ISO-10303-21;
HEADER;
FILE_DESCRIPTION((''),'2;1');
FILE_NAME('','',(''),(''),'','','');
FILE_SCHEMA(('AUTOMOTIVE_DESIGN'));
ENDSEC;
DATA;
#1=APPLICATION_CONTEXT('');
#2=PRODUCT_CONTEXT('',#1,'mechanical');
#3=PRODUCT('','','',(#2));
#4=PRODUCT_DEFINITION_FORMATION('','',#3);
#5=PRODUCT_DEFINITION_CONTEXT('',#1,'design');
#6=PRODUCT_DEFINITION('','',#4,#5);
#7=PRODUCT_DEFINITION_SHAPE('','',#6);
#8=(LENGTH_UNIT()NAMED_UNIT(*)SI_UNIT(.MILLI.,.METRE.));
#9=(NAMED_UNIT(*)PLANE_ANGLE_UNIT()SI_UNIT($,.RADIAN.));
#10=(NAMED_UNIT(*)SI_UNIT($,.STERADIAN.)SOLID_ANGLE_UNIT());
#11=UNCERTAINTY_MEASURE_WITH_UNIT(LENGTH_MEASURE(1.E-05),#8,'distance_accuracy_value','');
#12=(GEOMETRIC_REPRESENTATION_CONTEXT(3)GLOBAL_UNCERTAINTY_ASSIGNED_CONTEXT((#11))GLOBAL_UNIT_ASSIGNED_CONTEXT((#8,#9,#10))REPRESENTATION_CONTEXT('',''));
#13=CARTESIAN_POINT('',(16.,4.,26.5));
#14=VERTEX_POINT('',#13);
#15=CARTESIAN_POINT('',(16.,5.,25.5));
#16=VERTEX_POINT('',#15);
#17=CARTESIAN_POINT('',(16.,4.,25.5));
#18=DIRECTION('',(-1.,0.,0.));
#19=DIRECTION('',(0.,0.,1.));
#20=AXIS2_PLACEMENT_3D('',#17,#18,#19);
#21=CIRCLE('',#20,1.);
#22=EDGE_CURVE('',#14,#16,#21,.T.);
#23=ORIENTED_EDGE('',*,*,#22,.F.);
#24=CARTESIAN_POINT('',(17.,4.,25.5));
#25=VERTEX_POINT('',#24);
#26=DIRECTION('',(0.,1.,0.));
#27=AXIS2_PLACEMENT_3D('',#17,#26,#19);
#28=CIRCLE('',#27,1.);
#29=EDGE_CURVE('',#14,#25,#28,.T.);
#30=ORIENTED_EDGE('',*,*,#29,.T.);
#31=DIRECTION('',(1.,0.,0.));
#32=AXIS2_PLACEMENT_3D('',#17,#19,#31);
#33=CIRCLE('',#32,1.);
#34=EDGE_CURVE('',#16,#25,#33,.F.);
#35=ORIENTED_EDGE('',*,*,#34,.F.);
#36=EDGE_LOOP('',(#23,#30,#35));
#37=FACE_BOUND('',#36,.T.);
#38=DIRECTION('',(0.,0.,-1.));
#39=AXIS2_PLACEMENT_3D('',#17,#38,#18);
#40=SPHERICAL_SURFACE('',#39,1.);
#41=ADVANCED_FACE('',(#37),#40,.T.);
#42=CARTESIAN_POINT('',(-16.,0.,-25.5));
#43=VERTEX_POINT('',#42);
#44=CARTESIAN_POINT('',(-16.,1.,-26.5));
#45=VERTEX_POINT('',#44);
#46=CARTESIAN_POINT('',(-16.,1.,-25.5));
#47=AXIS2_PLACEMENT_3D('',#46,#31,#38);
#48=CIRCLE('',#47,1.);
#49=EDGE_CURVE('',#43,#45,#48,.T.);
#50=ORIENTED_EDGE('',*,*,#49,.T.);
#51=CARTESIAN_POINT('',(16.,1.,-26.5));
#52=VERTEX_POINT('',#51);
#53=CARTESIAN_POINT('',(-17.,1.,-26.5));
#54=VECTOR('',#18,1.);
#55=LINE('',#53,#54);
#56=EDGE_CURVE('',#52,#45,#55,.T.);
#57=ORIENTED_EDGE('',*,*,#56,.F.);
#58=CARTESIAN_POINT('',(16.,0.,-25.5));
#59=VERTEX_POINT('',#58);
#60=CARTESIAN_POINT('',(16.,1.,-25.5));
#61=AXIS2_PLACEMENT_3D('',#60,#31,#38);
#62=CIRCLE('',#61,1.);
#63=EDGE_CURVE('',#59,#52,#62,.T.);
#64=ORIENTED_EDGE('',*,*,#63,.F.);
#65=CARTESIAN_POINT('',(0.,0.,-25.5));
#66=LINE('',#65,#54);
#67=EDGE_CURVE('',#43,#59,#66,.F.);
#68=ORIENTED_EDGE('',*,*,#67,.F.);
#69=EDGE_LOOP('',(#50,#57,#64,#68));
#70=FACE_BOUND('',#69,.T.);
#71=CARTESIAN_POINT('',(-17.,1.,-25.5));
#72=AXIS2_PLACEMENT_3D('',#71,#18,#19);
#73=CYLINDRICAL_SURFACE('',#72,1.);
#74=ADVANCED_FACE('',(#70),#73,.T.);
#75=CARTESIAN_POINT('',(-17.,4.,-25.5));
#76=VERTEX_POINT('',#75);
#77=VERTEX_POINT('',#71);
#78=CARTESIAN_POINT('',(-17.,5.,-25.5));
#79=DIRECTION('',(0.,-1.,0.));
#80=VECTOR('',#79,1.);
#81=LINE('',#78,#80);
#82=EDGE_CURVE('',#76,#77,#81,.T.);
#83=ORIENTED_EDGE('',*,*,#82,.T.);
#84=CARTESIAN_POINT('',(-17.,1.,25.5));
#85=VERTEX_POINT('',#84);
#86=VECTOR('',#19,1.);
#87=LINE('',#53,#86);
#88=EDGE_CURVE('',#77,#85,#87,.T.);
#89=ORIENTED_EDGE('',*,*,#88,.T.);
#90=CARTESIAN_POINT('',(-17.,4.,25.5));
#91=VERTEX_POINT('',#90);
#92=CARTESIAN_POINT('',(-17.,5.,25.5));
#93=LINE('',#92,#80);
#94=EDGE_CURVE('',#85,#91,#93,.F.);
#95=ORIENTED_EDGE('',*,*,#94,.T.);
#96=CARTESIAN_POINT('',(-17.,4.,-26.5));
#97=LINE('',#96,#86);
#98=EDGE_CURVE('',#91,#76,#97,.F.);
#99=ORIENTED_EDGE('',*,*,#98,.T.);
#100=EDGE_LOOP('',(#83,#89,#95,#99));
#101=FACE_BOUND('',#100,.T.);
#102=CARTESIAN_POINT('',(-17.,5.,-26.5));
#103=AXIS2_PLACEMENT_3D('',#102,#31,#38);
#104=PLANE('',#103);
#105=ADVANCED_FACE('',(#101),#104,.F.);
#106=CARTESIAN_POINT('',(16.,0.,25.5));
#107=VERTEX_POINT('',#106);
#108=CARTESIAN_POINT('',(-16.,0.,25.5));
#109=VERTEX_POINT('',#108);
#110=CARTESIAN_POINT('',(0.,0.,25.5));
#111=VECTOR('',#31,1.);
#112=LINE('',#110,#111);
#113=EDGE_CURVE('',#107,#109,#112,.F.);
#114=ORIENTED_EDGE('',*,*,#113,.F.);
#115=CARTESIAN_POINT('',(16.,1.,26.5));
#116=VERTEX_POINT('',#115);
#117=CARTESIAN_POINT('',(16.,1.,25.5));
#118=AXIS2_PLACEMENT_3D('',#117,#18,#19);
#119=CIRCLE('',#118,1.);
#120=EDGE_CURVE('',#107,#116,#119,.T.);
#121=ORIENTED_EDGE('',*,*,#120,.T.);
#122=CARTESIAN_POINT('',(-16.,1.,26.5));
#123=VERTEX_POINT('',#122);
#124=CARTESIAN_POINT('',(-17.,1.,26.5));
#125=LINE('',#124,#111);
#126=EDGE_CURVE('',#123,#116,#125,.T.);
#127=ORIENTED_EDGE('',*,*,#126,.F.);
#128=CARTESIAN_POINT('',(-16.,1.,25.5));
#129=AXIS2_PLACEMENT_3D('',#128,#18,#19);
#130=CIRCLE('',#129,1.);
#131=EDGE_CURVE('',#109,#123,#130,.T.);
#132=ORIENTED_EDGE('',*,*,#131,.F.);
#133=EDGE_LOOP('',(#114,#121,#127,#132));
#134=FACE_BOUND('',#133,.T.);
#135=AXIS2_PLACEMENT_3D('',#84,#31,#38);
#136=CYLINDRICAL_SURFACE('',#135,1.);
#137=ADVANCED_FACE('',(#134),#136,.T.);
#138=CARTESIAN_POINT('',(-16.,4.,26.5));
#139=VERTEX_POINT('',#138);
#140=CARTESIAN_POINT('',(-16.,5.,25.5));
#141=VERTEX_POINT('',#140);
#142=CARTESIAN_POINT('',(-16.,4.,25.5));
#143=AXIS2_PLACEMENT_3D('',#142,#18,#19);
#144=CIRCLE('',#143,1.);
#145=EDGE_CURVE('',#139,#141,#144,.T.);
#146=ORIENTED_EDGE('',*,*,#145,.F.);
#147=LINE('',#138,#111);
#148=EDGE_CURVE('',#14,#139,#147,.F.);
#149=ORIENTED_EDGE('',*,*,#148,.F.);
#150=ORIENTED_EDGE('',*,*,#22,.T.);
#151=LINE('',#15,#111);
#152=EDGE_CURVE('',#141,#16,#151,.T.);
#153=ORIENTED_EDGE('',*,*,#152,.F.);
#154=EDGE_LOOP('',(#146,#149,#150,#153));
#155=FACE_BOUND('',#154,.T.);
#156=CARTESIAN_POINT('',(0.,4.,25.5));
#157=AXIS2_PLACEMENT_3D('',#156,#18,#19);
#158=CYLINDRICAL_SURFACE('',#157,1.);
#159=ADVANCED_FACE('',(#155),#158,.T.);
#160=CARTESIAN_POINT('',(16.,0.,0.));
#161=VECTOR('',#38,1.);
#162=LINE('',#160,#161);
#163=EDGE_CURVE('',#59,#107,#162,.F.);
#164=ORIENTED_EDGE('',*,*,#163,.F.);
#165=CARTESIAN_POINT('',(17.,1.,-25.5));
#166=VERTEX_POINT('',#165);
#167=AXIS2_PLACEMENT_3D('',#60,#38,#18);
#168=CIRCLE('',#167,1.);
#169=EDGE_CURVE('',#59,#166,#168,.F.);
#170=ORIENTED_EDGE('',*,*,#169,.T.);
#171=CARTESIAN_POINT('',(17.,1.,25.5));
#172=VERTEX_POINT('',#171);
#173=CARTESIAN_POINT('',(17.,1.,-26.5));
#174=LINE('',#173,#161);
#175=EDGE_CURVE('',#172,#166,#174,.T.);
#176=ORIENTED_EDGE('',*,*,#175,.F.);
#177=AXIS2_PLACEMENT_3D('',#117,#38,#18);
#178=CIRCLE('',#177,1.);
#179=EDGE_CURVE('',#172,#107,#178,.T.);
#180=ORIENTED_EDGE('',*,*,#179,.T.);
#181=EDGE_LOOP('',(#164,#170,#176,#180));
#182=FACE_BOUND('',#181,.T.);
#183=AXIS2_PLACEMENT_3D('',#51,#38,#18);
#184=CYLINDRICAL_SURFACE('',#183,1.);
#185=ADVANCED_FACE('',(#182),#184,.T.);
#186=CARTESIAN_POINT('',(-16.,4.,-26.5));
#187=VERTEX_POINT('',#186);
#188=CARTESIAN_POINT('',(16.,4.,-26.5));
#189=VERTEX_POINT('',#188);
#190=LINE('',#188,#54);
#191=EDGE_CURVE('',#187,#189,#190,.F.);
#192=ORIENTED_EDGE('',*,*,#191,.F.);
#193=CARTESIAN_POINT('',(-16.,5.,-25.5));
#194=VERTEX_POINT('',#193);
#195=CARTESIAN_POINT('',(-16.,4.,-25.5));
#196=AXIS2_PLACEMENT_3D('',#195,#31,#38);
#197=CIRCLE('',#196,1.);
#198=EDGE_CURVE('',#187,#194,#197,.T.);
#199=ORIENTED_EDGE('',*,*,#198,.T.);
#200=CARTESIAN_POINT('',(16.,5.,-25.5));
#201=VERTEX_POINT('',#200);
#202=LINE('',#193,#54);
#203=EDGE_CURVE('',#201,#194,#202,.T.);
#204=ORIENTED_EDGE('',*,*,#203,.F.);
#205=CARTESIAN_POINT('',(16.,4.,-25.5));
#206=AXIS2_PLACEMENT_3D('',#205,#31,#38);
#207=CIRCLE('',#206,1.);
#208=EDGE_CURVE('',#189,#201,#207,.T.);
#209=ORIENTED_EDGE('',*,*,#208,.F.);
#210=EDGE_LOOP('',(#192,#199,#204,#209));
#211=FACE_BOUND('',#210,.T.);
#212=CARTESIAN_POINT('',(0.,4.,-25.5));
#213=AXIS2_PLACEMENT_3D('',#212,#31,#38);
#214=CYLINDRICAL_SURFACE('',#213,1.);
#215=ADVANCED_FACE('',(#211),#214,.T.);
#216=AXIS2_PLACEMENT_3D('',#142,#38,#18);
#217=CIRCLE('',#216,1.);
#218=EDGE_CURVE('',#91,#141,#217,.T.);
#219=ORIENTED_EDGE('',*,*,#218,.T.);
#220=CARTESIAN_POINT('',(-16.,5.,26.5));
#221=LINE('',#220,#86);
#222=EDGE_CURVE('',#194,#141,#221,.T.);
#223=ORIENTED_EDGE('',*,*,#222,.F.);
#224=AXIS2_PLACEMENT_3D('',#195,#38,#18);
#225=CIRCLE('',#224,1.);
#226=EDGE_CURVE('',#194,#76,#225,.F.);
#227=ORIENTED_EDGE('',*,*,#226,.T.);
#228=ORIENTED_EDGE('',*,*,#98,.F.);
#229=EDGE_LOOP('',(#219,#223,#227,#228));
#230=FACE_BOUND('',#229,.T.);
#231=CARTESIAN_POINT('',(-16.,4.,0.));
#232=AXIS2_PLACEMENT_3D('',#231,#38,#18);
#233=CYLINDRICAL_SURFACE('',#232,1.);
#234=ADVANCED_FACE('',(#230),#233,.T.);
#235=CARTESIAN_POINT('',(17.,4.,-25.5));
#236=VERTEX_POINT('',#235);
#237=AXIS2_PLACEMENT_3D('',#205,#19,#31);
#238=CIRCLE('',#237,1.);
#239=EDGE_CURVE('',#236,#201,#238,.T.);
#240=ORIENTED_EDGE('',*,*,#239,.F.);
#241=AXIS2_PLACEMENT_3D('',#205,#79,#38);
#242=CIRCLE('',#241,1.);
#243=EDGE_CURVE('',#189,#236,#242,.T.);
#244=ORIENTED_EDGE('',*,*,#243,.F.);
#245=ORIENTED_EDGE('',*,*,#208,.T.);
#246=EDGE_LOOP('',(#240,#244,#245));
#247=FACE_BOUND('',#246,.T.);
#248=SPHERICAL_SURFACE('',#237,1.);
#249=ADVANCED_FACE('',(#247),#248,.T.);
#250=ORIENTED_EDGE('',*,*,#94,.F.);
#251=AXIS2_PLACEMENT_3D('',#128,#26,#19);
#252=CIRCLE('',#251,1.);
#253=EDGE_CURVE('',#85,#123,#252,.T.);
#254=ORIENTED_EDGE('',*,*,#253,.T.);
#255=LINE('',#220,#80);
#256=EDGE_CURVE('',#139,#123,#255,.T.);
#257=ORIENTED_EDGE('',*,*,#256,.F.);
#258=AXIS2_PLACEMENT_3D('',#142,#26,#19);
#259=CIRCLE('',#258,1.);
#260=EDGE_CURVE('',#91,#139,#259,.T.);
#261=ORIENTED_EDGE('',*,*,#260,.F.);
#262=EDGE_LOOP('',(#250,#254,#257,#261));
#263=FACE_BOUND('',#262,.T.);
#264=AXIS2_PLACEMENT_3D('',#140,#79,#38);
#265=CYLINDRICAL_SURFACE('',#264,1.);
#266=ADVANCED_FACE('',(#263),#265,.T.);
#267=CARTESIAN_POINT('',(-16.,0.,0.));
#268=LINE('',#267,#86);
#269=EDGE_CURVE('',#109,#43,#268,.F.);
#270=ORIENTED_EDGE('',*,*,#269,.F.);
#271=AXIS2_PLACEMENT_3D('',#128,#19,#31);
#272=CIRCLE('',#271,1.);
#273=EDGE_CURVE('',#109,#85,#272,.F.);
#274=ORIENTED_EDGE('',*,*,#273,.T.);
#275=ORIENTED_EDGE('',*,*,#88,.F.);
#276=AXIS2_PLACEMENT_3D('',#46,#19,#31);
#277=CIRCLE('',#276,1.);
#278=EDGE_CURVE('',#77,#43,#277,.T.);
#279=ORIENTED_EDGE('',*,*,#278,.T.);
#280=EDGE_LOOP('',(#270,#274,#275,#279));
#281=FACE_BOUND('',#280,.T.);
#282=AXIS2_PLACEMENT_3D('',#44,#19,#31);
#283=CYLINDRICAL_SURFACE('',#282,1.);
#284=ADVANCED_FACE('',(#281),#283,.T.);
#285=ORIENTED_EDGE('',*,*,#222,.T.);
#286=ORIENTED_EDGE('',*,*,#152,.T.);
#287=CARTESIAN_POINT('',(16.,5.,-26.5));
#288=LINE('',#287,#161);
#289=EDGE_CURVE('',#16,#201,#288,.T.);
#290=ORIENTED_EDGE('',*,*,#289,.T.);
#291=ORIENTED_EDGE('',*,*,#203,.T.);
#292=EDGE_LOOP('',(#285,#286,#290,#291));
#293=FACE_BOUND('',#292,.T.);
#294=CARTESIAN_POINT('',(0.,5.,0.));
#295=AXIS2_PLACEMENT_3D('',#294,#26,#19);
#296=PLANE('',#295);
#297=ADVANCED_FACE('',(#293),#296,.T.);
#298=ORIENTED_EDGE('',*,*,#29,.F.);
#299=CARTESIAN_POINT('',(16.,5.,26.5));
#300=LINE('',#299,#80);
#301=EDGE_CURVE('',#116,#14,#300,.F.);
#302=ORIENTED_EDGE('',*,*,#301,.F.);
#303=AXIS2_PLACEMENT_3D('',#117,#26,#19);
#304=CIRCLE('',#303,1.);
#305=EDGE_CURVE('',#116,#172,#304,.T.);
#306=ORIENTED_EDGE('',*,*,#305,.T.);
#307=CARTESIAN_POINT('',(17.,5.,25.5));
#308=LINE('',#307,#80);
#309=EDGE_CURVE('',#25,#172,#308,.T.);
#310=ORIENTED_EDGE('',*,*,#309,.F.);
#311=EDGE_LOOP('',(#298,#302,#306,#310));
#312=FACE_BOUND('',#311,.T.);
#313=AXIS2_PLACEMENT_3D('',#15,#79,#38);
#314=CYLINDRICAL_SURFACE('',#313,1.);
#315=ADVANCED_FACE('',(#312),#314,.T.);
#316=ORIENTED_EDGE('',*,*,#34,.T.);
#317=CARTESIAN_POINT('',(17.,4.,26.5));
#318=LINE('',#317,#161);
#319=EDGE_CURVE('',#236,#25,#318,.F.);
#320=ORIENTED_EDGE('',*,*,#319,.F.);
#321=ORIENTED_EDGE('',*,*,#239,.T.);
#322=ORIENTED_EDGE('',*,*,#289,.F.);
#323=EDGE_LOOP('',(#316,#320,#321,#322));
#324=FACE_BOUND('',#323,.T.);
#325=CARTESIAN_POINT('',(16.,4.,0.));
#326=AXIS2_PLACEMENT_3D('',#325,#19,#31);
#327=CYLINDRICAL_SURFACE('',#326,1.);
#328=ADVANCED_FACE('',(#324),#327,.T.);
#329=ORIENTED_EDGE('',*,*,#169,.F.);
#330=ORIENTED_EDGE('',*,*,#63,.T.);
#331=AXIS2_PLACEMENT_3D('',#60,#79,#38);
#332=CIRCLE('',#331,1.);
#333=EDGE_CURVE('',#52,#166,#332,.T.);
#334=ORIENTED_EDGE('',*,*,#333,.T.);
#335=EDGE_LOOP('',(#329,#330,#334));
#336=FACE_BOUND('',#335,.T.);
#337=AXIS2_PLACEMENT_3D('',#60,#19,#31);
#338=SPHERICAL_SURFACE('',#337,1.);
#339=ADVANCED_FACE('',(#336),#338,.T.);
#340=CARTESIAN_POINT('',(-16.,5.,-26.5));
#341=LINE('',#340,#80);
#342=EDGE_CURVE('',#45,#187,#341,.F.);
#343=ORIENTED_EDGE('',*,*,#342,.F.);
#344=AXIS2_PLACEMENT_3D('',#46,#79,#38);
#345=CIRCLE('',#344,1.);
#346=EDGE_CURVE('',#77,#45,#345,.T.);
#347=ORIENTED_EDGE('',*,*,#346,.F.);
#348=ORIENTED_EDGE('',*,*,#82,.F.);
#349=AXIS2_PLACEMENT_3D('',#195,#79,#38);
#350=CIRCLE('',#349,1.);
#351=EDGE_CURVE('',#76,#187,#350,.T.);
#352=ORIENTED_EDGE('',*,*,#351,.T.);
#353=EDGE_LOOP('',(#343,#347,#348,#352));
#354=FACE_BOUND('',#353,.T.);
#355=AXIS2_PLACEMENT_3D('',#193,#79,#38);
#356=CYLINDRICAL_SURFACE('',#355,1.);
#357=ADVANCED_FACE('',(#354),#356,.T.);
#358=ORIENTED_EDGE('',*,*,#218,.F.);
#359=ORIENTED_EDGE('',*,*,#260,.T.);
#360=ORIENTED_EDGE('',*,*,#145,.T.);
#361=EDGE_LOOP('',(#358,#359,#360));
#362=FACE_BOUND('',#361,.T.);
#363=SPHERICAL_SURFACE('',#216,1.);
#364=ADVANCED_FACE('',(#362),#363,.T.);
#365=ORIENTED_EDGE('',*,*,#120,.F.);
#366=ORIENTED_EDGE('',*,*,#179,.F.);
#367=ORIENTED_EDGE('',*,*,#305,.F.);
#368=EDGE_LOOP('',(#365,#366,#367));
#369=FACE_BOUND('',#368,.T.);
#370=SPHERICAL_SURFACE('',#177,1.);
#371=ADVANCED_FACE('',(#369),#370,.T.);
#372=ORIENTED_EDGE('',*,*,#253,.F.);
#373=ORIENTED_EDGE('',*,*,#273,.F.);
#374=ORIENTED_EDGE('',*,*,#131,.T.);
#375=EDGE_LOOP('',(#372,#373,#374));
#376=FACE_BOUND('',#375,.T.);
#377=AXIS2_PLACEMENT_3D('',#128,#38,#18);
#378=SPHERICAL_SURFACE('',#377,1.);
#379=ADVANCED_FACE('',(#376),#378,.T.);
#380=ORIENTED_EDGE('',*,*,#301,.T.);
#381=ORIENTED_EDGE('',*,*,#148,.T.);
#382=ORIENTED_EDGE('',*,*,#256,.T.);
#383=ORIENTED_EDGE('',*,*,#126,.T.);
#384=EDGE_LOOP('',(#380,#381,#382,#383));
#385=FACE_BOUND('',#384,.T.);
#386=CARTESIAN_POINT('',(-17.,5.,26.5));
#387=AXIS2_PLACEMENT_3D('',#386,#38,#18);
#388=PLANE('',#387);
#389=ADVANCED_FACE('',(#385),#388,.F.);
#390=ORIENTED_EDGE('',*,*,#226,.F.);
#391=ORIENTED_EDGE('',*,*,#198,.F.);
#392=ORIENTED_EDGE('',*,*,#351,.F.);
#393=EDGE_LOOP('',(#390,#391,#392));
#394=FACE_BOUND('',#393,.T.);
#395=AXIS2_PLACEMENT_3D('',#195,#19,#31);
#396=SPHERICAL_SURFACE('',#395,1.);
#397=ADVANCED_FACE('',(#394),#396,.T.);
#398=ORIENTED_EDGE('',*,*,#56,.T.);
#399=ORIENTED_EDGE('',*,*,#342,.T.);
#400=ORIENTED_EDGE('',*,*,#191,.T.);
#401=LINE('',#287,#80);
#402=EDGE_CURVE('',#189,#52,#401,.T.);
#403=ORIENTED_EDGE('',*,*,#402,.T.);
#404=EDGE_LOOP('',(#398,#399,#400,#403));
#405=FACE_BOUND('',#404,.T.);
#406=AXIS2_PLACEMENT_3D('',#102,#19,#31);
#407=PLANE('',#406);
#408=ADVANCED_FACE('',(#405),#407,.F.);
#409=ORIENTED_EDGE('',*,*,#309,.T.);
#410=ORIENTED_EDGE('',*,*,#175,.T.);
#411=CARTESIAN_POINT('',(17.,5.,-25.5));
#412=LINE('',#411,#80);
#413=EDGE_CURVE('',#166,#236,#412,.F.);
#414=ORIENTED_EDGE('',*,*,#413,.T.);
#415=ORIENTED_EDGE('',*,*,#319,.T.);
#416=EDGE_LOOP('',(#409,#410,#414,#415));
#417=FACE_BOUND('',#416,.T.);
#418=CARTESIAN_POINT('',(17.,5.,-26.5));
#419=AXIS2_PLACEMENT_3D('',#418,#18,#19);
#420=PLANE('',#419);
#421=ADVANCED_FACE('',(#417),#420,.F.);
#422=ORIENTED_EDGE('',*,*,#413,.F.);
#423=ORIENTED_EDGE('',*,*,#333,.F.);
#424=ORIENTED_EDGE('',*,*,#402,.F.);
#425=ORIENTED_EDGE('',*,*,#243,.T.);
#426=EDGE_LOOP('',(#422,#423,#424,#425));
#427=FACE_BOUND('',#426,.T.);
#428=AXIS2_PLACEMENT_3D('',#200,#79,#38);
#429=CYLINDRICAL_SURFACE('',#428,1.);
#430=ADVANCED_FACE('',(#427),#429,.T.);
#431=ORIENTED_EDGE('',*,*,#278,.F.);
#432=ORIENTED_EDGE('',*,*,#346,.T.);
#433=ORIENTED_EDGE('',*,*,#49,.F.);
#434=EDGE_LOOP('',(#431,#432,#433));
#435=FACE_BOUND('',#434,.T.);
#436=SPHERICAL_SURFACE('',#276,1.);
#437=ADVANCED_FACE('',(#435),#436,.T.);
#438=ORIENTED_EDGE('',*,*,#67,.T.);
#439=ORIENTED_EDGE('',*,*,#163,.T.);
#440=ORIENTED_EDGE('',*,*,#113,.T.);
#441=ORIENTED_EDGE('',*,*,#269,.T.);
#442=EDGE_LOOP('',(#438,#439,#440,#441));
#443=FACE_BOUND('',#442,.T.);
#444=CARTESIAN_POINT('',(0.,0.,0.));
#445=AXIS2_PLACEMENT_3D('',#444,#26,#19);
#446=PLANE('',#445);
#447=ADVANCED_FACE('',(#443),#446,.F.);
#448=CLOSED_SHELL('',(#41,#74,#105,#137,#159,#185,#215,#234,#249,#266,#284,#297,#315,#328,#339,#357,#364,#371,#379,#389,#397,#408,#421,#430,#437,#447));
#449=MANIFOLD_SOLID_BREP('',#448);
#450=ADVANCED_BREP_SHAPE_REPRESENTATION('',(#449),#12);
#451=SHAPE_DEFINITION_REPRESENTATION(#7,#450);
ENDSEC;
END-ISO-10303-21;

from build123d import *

# Parameters (mm, degrees)
SKETCH1_W           = 34
SKETCH1_H           = 53
BOSS_EXTRUDE1_DEPTH = 5
FILLET1_R           = 1
FILLET2_R           = 1


with BuildPart() as part:
    # Sketch1 → Boss-Extrude1 (new body)
    with BuildSketch(Plane(origin=(0, 0, 0), x_dir=(1, 0, 0), z_dir=(0, 1, 0))):
        Rectangle(SKETCH1_W, SKETCH1_H)
    extrude(amount=BOSS_EXTRUDE1_DEPTH)

    # Fillet1
    fillet1_edges = [part.edges().sort_by_distance(p)[0] for p in [
        (-17, 5, 0),
        (17, 5, 0),
        (-17, 0, 0),
        (17, 0, 0),
    ]]
    fillet(fillet1_edges, radius=FILLET1_R)

    # Fillet2
    fillet2_edges = [part.edges().sort_by_distance(p)[0] for p in [
        (-17, 2.5, 26.5),
        (-17, 2.5, -26.5),
        (0, 0, 26.5),
        (17, 2.5, 26.5),
        (0, 5, 26.5),
        (16.707106781, 4.707106781, 26.5),
        (16.707106781, 0.292893219, 26.5),
        (-16.707106781, 4.707106781, 26.5),
        (-16.707106781, 0.292893219, 26.5),
        (0, 0, -26.5),
        (0, 5, -26.5),
        (17, 2.5, -26.5),
        (16.707106781, 4.707106781, -26.5),
        (16.707106781, 0.292893219, -26.5),
        (-16.707106781, 4.707106781, -26.5),
        (-16.707106781, 0.292893219, -26.5),
    ]]
    fillet(fillet2_edges, radius=FILLET2_R)


solid = part.part
